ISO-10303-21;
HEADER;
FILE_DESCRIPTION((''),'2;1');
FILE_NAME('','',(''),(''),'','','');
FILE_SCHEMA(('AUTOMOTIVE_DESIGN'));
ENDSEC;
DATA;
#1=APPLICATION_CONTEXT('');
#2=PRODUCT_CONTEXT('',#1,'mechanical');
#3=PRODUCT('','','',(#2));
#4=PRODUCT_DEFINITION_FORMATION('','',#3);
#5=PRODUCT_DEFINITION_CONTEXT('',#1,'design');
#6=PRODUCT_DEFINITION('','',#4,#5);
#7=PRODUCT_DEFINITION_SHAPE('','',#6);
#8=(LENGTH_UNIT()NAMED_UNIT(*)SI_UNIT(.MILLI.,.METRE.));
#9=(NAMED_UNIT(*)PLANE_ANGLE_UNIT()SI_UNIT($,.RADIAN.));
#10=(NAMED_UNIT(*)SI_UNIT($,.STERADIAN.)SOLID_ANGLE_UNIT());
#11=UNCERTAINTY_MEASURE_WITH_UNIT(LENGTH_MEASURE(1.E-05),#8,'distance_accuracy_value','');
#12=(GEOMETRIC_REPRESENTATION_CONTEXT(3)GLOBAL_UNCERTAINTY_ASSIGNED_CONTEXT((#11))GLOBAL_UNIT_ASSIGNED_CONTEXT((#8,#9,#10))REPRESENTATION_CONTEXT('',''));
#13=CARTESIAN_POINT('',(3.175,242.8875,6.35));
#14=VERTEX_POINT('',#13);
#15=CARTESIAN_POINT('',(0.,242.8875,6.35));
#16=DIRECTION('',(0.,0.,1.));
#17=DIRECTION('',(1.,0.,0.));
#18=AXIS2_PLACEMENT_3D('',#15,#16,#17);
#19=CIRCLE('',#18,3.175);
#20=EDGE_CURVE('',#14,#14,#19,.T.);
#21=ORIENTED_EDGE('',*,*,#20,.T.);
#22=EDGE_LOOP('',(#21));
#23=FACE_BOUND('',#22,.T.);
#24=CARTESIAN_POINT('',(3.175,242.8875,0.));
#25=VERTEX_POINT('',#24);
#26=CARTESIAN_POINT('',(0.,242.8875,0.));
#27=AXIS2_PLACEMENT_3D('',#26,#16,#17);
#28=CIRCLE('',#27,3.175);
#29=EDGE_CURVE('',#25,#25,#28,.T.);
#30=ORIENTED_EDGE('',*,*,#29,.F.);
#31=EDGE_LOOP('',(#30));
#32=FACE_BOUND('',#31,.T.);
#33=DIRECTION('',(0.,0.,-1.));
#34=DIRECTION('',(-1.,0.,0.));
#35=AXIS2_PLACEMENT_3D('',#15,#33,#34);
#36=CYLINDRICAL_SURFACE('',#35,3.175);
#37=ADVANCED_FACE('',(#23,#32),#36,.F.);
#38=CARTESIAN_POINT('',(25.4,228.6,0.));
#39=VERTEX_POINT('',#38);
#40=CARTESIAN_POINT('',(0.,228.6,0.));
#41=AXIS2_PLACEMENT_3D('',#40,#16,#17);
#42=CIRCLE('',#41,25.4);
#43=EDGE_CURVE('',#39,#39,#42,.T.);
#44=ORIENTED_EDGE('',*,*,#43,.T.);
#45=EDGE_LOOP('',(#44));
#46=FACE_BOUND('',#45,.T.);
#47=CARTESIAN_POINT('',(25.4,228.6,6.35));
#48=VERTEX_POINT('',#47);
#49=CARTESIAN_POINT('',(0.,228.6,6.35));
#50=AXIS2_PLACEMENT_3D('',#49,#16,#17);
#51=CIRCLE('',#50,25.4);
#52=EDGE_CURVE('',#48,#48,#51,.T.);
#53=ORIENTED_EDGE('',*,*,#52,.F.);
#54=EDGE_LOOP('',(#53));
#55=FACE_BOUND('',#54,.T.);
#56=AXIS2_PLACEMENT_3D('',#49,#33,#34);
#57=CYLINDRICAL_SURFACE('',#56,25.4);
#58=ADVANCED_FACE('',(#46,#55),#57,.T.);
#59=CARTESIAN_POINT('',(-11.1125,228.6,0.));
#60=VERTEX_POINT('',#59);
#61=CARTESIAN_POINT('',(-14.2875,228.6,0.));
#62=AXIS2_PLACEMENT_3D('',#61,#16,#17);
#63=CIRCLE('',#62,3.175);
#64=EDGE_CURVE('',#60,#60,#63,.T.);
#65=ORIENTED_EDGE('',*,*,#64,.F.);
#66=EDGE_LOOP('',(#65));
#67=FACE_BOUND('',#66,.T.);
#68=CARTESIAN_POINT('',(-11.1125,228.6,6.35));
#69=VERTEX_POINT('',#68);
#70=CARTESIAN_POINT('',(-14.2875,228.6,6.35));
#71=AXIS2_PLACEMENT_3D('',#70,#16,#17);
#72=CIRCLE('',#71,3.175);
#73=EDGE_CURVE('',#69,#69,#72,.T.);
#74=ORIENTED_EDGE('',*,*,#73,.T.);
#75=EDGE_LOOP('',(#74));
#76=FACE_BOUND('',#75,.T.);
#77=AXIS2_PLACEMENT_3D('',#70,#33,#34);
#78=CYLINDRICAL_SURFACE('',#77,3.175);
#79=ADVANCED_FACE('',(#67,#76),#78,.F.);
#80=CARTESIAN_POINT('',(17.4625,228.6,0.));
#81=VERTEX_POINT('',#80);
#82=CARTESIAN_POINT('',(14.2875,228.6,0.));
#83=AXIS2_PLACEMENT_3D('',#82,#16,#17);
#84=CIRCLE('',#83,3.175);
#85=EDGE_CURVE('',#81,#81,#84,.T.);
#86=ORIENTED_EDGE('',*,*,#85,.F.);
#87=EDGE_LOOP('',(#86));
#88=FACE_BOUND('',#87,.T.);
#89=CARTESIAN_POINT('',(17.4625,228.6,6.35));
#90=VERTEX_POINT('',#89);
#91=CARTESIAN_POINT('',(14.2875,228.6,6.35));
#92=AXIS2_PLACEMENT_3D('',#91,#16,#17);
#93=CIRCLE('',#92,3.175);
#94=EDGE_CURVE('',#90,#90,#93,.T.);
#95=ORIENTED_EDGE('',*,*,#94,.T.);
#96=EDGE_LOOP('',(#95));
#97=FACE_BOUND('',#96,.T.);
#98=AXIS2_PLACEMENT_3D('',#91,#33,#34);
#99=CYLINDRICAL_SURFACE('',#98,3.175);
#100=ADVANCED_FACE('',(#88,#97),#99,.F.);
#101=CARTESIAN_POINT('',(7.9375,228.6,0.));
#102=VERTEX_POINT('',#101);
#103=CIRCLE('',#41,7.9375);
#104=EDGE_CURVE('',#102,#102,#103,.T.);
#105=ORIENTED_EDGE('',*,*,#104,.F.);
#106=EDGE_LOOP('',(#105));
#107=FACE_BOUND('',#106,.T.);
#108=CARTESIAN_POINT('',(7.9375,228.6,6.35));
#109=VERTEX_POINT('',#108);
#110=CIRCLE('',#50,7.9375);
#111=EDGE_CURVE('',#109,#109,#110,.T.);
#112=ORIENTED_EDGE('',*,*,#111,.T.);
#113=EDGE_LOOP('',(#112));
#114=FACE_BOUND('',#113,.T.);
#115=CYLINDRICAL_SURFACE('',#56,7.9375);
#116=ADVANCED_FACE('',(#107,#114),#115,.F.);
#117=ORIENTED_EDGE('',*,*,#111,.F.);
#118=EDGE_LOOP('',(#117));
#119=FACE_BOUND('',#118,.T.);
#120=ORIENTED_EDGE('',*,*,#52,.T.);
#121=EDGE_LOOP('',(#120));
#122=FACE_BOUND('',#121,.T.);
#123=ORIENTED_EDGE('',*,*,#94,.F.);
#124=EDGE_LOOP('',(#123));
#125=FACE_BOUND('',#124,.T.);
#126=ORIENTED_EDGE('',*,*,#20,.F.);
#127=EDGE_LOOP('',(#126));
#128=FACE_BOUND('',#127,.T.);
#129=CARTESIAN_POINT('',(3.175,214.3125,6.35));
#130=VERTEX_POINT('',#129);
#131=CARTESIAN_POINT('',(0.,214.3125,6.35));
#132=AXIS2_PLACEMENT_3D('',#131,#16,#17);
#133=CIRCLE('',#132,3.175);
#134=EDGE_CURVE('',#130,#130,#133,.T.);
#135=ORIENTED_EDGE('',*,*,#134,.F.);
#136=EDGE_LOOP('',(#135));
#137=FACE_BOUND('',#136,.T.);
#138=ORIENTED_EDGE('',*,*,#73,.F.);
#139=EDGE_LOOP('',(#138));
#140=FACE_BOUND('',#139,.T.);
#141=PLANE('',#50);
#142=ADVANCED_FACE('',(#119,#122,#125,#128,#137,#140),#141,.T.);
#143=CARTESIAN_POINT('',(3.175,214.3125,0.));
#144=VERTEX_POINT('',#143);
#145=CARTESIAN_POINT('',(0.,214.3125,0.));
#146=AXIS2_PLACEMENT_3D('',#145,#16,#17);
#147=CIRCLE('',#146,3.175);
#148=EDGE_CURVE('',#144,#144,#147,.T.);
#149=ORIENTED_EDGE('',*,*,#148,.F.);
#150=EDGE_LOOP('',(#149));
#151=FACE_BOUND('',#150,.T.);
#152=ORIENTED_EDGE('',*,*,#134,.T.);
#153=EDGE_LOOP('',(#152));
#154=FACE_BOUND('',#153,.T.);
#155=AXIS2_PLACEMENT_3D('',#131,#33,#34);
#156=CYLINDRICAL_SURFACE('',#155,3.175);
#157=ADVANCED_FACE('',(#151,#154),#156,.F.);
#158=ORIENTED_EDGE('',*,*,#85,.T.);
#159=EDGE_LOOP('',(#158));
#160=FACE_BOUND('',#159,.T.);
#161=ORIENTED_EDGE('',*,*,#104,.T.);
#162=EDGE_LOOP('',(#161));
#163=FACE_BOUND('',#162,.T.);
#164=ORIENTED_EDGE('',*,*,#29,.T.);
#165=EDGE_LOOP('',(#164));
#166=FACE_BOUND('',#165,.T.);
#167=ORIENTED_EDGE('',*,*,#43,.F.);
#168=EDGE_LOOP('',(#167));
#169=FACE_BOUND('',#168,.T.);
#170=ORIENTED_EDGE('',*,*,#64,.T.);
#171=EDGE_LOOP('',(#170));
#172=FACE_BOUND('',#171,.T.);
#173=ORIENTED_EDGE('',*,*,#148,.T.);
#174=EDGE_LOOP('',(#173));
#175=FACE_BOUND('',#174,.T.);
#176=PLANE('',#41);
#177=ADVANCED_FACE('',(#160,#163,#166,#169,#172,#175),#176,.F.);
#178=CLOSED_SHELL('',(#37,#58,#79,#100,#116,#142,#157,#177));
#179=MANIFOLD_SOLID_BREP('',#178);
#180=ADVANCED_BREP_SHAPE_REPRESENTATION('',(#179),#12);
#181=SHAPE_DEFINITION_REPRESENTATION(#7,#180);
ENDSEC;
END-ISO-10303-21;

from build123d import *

# Parameters (mm, degrees)
SKETCH1_R           = 25.4
SKETCH1_R_2         = 7.9375
SKETCH1_R_3         = 3.175
BOSS_EXTRUDE1_DEPTH = 6.35


with BuildPart() as part:
    # Sketch1 → Boss-Extrude1 (new body)
    with BuildSketch(Plane.XY):
        with Locations((0, 228.6)):
            Circle(SKETCH1_R)
        with Locations((0, 228.6)):
            Circle(SKETCH1_R_2, mode=Mode.SUBTRACT)
        with Locations((0, 242.8875)):
            Circle(SKETCH1_R_3, mode=Mode.SUBTRACT)
        with Locations((14.2875, 228.6)):
            Circle(SKETCH1_R_3, mode=Mode.SUBTRACT)
        with Locations((0, 214.3125)):
            Circle(SKETCH1_R_3, mode=Mode.SUBTRACT)
        with Locations((-14.2875, 228.6)):
            Circle(SKETCH1_R_3, mode=Mode.SUBTRACT)
    extrude(amount=BOSS_EXTRUDE1_DEPTH)


solid = part.part
